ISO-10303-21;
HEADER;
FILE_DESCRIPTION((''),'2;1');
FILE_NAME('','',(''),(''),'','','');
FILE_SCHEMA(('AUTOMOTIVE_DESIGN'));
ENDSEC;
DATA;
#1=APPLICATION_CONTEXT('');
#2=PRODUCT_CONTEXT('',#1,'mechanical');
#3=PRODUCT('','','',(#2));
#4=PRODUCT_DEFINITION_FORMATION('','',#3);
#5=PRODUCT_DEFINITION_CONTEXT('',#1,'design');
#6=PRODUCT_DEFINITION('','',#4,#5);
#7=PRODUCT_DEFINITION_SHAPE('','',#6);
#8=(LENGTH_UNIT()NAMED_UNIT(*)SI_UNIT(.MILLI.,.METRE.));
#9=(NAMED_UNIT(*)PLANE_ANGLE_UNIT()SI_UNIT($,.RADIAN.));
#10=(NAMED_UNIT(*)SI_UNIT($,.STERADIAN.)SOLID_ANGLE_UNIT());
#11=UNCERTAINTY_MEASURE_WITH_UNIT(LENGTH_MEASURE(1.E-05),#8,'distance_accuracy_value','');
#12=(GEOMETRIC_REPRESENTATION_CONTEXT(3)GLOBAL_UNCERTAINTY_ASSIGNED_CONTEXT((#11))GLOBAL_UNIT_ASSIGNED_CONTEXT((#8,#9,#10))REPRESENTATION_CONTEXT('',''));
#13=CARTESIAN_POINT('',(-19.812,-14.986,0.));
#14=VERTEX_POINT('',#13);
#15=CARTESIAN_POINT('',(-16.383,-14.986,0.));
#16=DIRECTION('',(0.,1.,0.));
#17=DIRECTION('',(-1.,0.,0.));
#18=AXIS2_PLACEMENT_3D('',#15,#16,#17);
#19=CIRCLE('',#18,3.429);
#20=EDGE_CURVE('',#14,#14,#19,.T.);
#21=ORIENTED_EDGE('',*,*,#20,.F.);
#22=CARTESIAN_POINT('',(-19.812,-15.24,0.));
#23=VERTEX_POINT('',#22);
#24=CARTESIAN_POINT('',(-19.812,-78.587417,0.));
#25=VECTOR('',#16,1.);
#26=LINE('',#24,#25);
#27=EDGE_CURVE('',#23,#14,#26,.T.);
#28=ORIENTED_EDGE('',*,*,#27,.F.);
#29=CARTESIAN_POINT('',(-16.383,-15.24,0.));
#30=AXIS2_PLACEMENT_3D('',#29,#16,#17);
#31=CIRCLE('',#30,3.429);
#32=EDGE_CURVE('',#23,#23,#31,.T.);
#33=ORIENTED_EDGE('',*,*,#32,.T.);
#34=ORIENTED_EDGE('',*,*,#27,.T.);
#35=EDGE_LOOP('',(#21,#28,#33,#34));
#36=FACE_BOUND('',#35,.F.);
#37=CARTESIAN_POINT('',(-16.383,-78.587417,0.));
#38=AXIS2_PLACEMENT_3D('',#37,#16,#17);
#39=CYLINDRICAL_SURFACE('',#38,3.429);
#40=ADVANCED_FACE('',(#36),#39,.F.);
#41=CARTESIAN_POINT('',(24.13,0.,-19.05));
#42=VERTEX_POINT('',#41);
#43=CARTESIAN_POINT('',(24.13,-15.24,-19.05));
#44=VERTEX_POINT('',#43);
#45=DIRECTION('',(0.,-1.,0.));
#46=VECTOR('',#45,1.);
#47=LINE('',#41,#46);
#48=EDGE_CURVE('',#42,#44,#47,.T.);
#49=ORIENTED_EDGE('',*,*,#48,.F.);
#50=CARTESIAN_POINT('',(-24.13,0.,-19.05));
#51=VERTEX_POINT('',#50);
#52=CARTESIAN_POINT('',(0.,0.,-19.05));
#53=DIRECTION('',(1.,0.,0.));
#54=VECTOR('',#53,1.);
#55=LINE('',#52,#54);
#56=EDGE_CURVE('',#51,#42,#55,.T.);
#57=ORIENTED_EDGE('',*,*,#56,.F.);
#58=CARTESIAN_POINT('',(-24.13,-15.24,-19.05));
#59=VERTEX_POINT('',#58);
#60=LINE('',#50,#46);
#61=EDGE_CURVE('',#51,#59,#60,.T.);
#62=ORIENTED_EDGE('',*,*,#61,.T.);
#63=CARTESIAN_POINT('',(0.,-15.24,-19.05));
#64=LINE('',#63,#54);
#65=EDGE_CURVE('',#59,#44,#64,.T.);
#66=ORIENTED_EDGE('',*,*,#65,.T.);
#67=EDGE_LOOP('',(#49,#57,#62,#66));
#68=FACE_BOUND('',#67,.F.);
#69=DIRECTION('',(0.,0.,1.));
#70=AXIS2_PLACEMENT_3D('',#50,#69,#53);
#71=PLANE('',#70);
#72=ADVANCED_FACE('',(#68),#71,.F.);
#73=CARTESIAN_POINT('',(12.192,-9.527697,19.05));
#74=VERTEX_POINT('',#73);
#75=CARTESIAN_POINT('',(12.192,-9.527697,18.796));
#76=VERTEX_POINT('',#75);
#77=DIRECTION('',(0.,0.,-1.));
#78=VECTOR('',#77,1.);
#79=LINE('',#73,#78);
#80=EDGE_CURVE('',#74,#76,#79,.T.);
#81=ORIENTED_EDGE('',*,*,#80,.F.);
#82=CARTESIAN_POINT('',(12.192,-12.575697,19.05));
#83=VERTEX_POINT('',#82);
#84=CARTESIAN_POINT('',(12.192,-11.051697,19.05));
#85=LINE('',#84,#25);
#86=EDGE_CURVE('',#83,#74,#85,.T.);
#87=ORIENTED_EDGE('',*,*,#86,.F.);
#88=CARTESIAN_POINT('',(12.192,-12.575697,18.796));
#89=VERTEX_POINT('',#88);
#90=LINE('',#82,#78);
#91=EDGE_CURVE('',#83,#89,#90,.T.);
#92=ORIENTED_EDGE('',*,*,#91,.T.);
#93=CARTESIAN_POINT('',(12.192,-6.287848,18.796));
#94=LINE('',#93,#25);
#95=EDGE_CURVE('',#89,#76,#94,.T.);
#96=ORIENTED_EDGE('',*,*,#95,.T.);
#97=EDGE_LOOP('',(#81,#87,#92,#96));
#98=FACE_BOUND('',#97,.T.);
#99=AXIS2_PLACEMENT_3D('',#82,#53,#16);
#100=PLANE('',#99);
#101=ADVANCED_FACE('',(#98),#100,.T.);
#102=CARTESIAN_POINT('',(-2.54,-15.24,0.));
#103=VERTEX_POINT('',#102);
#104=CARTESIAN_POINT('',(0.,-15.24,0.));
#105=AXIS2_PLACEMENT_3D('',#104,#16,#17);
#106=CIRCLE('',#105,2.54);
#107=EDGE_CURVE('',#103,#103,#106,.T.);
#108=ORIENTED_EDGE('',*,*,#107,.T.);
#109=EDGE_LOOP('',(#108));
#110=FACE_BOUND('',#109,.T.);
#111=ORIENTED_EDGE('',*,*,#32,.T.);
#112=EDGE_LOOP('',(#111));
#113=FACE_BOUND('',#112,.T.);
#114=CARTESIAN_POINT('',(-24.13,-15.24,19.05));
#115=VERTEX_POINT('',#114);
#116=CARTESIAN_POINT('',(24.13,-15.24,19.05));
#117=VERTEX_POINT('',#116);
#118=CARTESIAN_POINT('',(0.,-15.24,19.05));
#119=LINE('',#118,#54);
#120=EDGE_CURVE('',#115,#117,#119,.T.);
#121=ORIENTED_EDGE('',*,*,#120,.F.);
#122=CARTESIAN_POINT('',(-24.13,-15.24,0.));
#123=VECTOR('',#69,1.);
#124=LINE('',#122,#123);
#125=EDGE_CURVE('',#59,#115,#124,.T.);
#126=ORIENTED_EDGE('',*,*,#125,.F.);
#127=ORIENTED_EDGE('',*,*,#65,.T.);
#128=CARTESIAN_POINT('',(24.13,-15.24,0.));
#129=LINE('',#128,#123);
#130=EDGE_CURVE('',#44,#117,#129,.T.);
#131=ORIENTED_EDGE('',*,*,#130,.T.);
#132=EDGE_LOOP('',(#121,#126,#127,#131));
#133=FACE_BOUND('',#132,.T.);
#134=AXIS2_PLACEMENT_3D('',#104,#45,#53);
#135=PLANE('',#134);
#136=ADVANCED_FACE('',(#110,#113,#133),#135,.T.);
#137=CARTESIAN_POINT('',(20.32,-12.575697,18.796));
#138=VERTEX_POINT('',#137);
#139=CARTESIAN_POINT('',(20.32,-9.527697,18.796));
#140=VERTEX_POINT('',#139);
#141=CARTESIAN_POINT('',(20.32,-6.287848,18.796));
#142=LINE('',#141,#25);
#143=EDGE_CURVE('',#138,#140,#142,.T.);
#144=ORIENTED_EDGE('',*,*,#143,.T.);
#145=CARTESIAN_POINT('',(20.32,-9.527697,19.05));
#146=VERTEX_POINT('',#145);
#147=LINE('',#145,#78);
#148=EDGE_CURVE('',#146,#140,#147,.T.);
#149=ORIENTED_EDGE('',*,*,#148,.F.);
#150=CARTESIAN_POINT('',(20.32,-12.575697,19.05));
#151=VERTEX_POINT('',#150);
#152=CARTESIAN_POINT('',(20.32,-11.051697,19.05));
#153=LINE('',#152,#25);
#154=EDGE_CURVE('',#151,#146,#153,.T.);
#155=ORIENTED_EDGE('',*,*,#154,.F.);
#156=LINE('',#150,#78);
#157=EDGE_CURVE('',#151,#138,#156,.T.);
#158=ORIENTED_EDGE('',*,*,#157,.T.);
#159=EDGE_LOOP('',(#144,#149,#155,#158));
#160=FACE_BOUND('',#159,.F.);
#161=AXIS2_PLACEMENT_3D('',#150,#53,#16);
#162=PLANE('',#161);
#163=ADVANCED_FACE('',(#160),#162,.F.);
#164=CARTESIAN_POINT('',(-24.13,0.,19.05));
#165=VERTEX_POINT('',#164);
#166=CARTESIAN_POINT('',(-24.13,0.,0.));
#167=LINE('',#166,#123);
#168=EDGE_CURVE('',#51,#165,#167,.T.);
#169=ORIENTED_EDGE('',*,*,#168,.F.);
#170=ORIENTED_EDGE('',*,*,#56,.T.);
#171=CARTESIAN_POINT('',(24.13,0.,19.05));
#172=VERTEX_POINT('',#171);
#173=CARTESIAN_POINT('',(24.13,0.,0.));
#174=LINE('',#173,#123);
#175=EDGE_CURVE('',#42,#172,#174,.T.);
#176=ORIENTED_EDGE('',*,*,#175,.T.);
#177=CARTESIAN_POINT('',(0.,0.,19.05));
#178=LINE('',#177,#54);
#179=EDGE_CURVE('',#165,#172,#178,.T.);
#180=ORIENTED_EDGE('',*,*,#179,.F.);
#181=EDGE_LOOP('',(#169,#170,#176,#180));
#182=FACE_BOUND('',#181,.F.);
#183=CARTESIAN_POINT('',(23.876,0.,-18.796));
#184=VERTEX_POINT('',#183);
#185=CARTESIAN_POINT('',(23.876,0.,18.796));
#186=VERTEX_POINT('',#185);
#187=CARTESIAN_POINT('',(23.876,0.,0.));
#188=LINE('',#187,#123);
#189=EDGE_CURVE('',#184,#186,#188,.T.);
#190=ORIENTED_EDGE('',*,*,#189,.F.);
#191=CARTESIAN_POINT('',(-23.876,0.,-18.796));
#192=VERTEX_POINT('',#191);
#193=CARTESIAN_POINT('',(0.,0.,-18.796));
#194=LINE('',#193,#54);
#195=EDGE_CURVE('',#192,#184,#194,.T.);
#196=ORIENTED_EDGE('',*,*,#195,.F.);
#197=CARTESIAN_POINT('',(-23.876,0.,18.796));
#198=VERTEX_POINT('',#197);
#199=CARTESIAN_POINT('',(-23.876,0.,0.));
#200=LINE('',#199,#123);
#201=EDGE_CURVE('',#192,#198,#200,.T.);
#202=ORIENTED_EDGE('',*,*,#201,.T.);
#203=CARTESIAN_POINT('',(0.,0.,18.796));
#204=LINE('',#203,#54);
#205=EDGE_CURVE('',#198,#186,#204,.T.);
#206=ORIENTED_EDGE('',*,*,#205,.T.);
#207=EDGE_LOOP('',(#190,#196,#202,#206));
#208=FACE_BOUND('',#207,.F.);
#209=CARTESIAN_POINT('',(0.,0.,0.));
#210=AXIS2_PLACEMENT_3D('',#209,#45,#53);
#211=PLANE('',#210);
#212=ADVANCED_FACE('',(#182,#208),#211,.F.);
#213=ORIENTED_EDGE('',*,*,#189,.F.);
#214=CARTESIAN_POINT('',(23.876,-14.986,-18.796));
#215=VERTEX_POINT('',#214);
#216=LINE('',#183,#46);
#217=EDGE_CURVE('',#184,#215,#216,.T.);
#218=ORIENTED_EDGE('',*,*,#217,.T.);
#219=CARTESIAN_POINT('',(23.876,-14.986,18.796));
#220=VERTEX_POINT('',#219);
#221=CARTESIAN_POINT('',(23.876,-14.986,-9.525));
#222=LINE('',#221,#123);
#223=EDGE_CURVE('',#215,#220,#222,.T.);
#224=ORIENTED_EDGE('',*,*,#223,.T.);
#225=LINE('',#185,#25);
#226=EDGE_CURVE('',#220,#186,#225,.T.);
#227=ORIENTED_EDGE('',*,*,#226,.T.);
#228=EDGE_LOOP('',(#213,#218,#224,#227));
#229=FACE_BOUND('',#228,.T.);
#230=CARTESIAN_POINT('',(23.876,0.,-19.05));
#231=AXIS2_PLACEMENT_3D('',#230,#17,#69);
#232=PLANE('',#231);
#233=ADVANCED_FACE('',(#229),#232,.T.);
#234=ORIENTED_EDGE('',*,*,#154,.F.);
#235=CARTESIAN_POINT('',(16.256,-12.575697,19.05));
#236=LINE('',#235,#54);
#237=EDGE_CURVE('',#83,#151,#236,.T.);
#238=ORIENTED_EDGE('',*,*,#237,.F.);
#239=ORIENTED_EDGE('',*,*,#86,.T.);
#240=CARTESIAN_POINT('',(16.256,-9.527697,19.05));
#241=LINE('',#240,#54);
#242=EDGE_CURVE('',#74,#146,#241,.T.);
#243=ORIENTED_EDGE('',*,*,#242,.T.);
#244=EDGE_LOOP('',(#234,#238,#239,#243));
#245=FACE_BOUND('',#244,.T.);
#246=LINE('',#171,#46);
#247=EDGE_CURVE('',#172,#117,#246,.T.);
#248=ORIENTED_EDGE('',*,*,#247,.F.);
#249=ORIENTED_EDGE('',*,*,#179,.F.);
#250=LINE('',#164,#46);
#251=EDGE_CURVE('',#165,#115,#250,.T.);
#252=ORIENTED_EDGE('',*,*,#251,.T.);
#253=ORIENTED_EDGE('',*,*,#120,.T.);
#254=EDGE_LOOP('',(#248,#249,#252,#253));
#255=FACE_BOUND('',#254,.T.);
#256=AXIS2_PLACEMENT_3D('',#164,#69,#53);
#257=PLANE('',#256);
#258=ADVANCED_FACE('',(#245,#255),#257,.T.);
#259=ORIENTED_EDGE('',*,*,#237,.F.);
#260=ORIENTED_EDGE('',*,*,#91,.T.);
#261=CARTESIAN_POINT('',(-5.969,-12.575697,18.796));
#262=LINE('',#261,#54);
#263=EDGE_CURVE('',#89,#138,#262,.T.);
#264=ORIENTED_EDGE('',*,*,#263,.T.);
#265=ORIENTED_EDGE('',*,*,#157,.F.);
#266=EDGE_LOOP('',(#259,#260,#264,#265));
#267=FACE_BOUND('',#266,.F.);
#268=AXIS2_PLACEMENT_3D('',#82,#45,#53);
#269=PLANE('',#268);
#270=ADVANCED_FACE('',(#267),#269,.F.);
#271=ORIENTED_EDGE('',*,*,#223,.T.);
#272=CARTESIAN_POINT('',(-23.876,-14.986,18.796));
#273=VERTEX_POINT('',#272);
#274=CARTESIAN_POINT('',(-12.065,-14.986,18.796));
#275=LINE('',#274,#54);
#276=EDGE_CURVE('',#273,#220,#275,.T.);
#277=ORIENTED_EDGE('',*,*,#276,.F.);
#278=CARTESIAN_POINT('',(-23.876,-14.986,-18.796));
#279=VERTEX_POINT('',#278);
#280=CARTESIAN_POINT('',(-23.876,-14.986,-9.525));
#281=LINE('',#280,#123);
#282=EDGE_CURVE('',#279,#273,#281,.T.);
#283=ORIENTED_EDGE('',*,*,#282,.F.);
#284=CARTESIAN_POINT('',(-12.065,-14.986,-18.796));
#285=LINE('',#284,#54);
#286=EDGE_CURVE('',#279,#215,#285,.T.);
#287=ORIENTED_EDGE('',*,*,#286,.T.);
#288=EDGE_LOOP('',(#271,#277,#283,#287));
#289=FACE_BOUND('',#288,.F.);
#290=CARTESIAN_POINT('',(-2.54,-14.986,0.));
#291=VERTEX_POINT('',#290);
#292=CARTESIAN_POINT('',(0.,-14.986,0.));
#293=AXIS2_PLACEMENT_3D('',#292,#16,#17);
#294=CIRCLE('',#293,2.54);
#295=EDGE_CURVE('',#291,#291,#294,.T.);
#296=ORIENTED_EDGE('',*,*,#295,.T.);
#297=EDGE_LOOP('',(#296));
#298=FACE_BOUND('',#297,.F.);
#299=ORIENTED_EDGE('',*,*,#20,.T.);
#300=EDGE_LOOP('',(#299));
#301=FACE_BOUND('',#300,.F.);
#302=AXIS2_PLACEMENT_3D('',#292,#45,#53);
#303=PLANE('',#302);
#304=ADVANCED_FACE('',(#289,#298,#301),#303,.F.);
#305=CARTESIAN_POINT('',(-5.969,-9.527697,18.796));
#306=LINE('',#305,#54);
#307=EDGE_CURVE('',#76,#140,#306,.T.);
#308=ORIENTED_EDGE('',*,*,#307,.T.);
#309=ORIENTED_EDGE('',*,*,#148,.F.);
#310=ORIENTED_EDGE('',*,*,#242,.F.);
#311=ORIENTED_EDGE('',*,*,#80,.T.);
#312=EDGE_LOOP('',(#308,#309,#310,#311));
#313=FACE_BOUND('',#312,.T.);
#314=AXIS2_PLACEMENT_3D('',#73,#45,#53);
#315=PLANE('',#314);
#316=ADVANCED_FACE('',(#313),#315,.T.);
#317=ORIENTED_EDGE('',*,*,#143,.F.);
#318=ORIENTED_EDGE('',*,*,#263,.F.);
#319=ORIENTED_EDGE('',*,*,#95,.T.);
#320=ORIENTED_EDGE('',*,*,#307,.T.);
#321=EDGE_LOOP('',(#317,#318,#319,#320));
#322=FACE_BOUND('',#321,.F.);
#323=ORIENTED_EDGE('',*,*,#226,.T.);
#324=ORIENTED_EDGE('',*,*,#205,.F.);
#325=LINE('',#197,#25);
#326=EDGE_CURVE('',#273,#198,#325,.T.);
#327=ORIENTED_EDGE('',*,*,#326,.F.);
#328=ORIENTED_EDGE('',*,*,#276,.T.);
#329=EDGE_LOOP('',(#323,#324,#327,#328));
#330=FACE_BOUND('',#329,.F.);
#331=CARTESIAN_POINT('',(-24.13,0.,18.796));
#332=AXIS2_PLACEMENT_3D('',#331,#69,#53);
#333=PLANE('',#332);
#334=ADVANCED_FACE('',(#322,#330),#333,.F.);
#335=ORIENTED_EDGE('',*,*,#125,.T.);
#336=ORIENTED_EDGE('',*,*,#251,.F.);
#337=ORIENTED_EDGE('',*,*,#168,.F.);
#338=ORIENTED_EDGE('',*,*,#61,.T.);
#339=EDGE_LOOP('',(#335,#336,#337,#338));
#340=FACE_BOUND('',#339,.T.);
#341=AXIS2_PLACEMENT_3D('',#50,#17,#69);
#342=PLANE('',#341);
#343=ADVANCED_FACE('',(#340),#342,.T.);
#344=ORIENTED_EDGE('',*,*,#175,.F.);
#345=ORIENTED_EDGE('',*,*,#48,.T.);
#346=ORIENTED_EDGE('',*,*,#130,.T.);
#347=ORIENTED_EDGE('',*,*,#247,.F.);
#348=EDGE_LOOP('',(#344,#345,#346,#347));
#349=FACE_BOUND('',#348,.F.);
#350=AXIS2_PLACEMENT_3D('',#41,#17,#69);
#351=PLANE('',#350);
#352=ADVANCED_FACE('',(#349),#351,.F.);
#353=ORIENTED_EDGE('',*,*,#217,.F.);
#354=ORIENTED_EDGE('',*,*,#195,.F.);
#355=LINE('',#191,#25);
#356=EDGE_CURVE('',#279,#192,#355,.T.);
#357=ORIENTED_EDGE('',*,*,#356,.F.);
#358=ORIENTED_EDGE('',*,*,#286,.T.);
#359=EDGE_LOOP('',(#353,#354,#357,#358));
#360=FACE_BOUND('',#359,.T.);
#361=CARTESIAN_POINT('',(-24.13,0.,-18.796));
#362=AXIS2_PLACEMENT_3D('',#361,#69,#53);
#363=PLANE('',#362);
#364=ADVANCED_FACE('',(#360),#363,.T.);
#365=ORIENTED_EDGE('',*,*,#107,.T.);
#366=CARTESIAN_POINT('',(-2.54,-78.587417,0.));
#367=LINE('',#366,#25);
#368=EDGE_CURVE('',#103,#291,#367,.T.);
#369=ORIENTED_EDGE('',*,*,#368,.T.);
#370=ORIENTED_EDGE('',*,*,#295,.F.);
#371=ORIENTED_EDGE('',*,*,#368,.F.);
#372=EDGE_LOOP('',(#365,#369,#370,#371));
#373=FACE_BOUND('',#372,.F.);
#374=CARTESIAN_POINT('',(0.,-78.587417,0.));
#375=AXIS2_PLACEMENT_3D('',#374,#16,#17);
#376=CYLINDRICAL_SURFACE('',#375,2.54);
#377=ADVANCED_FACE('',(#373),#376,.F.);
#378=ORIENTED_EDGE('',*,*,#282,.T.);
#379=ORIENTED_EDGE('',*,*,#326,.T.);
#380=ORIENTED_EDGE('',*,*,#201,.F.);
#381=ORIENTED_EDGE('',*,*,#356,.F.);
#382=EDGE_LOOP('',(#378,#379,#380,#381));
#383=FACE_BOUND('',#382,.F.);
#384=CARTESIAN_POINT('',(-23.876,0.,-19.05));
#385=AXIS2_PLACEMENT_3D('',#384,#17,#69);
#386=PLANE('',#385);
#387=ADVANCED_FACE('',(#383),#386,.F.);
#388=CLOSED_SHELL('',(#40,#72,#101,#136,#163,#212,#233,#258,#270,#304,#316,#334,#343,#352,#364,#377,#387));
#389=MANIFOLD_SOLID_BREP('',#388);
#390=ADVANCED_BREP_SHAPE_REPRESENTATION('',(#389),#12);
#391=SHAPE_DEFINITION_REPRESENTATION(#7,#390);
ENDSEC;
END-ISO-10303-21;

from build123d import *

# Parameters (mm, degrees)
F0_W     = 48.26
F0_H     = 38.1
F1_DEPTH = 15.24
F3_T     = -0.254
F4_D     = 6.858
F6_D     = 5.08
F7_W     = 8.128
F7_H     = 3.048
F8_DEPTH = 25.4


with BuildPart() as f1:
    # F0 (on Front) → F1 (new body)
    with BuildSketch(Plane.XZ):
        Rectangle(F0_W, F0_H)
    extrude(amount=F1_DEPTH)

    # F3
    f3_openings = [f1.faces().sort_by_distance(p)[0] for p in [
        (0, 0, 0),
    ]]
    offset(amount=F3_T, openings=f3_openings)

    # F4 (through all)
    with Locations(Plane.XZ.offset(15.24)):
        with Locations((-16.383, 0)):
            Hole(F4_D / 2)

    # F6 (through all)
    with Locations(Plane.XZ.offset(15.24)):
        with Locations((0, 0)):
            Hole(F6_D / 2)

    # F7 (on face) → F8 (cut)
    with BuildSketch(Plane.XY.offset(19.05)):
        with Locations((16.256, -11.051697)):
            Rectangle(F7_W, F7_H)
    extrude(amount=-F8_DEPTH, mode=Mode.SUBTRACT)


solid = f1.part
